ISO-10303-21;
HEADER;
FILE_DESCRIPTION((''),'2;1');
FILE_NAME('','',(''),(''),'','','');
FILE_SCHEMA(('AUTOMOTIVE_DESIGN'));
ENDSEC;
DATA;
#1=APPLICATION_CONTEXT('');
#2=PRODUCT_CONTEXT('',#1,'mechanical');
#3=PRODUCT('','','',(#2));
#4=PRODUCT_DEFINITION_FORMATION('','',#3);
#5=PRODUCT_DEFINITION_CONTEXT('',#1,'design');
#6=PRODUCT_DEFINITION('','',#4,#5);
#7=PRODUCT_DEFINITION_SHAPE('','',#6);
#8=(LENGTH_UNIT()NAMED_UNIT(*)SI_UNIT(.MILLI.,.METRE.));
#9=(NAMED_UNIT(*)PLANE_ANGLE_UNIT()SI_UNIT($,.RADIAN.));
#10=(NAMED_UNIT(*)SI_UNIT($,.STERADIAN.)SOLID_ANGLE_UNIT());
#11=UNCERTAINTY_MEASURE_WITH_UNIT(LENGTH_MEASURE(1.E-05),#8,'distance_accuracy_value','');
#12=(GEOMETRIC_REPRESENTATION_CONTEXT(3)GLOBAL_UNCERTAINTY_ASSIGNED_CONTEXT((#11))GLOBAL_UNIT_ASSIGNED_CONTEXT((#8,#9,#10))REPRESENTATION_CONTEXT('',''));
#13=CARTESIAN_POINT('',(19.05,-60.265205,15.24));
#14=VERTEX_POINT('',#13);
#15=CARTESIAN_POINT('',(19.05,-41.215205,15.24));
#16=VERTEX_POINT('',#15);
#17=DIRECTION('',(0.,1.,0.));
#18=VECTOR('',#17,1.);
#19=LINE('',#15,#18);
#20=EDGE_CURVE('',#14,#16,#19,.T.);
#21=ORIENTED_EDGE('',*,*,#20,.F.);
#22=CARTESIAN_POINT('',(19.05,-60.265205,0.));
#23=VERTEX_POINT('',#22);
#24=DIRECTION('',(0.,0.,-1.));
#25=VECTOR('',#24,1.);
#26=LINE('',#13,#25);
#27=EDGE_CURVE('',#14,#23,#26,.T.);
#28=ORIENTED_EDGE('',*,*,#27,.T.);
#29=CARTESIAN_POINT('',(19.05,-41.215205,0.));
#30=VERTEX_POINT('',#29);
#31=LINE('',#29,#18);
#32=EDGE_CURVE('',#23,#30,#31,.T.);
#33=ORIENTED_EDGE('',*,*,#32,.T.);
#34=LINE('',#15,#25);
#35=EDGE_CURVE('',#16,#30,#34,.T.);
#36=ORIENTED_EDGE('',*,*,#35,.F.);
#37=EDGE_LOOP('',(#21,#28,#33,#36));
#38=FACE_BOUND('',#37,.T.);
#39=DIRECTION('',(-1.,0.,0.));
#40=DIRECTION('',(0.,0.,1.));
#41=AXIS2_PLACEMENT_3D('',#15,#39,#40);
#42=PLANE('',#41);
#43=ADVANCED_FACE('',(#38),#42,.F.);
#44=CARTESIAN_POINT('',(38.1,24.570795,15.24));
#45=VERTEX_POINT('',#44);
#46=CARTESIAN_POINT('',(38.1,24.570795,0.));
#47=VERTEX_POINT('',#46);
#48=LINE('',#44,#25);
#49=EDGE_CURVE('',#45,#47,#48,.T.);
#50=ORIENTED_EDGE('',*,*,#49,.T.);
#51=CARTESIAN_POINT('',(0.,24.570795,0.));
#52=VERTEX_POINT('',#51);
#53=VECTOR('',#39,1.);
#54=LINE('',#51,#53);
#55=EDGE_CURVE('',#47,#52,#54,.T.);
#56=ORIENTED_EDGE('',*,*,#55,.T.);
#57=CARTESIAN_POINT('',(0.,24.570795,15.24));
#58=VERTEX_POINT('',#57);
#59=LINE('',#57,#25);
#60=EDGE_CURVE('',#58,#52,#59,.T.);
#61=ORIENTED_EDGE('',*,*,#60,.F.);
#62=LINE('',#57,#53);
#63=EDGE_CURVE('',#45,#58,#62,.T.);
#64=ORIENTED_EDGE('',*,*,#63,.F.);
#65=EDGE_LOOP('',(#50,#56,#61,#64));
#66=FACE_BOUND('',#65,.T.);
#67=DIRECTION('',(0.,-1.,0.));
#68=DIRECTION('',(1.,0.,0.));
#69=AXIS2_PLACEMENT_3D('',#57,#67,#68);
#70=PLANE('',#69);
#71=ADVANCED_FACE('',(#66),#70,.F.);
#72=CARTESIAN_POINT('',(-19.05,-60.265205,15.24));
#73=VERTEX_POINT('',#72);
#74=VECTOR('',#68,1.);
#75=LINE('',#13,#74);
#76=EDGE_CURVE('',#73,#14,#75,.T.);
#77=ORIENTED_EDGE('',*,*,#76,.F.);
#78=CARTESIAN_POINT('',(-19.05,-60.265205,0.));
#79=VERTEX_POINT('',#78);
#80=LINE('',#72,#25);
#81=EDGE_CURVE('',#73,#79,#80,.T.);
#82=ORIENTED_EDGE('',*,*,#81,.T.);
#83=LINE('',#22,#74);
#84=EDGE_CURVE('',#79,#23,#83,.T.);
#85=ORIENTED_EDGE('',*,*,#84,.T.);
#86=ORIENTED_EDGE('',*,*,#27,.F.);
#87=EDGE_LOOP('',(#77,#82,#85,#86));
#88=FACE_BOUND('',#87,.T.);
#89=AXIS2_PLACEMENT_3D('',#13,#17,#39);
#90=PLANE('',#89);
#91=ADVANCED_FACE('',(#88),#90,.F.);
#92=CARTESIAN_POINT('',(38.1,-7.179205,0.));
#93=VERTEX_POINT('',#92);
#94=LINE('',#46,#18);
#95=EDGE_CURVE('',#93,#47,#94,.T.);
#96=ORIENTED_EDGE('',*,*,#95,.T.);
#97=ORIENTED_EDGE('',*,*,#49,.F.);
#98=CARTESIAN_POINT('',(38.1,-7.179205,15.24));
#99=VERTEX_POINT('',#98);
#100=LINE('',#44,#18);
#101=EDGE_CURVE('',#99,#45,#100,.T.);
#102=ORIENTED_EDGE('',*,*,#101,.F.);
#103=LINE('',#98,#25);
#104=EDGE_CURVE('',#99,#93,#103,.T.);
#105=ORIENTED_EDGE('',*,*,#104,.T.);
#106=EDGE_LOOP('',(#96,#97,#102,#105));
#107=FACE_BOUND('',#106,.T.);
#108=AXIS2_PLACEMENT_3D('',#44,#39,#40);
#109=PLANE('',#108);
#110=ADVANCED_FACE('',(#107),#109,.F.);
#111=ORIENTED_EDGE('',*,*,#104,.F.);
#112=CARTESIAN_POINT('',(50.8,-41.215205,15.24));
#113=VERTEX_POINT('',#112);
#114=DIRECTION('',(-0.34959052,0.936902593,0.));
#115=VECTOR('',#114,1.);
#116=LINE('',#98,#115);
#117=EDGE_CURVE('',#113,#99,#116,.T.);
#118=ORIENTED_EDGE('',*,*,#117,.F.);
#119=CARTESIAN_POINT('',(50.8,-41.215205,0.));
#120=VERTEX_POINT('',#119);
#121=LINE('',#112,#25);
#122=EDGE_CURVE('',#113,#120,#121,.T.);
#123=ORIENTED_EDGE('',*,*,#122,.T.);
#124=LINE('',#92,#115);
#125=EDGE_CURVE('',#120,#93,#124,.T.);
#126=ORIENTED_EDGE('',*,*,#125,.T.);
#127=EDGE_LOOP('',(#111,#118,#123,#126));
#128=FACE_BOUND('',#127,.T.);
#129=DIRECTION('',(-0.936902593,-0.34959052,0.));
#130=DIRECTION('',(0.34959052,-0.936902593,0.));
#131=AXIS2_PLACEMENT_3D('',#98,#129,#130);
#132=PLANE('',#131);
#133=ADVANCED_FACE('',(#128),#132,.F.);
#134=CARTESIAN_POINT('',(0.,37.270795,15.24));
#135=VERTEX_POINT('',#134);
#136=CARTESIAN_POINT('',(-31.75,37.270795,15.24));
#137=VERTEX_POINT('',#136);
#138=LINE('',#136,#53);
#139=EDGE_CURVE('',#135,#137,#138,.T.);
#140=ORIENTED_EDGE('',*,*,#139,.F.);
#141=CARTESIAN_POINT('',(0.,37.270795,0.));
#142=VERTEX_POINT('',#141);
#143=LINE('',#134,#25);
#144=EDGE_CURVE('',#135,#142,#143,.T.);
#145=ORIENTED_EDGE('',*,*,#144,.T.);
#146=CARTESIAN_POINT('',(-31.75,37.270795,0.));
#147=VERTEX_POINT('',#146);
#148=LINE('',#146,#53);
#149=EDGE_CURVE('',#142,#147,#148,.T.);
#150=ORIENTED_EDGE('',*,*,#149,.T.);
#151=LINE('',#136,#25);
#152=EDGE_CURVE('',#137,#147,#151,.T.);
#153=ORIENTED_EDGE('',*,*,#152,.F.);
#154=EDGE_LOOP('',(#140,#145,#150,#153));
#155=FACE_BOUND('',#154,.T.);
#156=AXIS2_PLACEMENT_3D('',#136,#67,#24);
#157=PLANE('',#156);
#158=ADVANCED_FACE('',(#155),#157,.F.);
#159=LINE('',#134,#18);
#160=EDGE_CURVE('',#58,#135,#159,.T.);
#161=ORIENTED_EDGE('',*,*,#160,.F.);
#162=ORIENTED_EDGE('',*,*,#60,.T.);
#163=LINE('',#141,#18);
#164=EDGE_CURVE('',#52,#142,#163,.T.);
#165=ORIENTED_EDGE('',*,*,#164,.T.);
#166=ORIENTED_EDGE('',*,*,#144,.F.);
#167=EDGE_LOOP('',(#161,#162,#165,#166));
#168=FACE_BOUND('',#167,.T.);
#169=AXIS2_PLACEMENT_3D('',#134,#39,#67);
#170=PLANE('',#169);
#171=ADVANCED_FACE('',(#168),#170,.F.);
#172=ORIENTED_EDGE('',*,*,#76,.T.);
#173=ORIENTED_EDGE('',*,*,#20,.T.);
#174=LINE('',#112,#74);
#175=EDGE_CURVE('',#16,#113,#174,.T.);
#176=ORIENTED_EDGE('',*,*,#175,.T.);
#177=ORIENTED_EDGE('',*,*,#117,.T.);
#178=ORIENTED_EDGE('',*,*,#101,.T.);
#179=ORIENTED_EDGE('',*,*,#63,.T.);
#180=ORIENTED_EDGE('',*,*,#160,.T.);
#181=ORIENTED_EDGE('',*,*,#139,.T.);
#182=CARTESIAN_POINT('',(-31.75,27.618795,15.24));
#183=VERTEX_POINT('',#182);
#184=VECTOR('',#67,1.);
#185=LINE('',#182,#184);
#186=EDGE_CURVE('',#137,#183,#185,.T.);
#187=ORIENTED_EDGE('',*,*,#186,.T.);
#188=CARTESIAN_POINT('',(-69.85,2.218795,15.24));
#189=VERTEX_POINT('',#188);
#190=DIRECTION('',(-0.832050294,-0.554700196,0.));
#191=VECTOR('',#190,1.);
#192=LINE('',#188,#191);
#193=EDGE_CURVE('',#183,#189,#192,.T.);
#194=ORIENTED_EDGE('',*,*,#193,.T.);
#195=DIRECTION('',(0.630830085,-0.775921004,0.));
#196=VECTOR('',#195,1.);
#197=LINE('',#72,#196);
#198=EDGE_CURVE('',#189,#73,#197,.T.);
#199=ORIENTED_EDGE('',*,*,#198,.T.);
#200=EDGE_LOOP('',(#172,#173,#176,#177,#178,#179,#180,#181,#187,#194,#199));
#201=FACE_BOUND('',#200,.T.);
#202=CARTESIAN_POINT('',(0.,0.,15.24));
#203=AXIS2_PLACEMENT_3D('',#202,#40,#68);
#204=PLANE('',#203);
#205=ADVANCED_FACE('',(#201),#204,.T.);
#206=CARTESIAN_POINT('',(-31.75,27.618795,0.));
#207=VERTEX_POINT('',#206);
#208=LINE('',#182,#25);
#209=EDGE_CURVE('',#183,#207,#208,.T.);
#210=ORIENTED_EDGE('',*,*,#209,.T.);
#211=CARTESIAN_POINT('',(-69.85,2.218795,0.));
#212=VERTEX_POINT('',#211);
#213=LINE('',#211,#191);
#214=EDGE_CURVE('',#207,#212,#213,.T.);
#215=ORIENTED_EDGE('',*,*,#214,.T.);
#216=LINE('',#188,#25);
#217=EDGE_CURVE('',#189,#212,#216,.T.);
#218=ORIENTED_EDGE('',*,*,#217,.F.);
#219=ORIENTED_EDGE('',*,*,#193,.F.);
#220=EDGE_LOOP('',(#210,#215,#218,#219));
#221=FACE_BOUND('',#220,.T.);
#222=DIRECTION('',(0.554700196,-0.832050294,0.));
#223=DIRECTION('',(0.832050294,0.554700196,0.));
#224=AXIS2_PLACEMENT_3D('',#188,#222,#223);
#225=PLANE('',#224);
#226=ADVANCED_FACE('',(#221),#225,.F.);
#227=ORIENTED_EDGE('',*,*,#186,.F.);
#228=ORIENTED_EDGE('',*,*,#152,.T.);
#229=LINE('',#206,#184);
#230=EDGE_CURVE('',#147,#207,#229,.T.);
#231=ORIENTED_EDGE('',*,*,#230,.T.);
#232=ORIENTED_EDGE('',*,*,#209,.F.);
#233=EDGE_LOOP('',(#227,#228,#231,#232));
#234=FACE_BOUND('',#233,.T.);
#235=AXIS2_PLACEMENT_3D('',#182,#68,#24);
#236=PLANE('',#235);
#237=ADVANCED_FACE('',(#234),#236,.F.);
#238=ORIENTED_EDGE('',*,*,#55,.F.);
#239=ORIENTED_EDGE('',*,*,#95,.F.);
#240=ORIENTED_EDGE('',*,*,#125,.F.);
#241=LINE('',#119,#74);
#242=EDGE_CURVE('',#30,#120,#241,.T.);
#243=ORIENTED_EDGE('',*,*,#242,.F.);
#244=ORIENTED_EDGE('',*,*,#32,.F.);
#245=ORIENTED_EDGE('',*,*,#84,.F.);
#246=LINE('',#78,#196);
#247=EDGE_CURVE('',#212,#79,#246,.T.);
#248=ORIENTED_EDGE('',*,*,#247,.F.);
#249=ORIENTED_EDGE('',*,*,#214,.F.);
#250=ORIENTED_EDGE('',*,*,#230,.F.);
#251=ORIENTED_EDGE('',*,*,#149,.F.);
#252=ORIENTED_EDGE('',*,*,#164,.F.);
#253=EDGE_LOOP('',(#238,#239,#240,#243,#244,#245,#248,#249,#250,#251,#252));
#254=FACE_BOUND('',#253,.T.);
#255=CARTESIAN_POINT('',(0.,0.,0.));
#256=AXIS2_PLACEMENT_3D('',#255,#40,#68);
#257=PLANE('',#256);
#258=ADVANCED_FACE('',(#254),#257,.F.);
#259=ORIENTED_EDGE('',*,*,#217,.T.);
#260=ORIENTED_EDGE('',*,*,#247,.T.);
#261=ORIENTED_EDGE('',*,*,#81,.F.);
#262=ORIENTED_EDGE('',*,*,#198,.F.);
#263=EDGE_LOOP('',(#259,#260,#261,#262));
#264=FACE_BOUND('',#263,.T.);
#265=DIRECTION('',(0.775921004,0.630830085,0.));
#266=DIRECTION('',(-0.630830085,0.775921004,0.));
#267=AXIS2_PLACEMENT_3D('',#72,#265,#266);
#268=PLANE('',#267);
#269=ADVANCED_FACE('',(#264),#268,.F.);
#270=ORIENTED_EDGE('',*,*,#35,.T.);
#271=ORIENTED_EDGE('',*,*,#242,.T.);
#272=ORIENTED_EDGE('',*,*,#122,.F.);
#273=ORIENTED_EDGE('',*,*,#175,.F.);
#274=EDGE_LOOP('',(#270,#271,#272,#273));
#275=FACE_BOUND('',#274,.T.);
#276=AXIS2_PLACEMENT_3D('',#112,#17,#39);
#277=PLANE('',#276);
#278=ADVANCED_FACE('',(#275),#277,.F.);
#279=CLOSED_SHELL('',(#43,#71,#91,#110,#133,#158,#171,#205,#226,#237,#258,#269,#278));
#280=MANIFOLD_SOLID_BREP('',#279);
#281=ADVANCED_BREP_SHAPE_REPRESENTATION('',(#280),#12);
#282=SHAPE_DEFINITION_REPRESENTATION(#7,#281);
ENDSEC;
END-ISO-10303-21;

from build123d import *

# Parameters (mm, degrees)
BOSS_EXTRUDE1_DEPTH = 15.24


with BuildPart() as part:
    # Sketch1 → Boss-Extrude1 (new body)
    with BuildSketch(Plane.XY):
        Polygon((-19.05, -60.265205079), (-69.85, 2.218794921), (-31.75, 27.618794921), (-31.75, 37.270794921), (0, 37.270794921), (0, 24.570794921), (38.1, 24.570794921), (38.1, -7.179205079), (50.8, -41.215205079), (19.05, -41.215205079), (19.05, -60.265205079), align=None)
    extrude(amount=BOSS_EXTRUDE1_DEPTH)


solid = part.part
